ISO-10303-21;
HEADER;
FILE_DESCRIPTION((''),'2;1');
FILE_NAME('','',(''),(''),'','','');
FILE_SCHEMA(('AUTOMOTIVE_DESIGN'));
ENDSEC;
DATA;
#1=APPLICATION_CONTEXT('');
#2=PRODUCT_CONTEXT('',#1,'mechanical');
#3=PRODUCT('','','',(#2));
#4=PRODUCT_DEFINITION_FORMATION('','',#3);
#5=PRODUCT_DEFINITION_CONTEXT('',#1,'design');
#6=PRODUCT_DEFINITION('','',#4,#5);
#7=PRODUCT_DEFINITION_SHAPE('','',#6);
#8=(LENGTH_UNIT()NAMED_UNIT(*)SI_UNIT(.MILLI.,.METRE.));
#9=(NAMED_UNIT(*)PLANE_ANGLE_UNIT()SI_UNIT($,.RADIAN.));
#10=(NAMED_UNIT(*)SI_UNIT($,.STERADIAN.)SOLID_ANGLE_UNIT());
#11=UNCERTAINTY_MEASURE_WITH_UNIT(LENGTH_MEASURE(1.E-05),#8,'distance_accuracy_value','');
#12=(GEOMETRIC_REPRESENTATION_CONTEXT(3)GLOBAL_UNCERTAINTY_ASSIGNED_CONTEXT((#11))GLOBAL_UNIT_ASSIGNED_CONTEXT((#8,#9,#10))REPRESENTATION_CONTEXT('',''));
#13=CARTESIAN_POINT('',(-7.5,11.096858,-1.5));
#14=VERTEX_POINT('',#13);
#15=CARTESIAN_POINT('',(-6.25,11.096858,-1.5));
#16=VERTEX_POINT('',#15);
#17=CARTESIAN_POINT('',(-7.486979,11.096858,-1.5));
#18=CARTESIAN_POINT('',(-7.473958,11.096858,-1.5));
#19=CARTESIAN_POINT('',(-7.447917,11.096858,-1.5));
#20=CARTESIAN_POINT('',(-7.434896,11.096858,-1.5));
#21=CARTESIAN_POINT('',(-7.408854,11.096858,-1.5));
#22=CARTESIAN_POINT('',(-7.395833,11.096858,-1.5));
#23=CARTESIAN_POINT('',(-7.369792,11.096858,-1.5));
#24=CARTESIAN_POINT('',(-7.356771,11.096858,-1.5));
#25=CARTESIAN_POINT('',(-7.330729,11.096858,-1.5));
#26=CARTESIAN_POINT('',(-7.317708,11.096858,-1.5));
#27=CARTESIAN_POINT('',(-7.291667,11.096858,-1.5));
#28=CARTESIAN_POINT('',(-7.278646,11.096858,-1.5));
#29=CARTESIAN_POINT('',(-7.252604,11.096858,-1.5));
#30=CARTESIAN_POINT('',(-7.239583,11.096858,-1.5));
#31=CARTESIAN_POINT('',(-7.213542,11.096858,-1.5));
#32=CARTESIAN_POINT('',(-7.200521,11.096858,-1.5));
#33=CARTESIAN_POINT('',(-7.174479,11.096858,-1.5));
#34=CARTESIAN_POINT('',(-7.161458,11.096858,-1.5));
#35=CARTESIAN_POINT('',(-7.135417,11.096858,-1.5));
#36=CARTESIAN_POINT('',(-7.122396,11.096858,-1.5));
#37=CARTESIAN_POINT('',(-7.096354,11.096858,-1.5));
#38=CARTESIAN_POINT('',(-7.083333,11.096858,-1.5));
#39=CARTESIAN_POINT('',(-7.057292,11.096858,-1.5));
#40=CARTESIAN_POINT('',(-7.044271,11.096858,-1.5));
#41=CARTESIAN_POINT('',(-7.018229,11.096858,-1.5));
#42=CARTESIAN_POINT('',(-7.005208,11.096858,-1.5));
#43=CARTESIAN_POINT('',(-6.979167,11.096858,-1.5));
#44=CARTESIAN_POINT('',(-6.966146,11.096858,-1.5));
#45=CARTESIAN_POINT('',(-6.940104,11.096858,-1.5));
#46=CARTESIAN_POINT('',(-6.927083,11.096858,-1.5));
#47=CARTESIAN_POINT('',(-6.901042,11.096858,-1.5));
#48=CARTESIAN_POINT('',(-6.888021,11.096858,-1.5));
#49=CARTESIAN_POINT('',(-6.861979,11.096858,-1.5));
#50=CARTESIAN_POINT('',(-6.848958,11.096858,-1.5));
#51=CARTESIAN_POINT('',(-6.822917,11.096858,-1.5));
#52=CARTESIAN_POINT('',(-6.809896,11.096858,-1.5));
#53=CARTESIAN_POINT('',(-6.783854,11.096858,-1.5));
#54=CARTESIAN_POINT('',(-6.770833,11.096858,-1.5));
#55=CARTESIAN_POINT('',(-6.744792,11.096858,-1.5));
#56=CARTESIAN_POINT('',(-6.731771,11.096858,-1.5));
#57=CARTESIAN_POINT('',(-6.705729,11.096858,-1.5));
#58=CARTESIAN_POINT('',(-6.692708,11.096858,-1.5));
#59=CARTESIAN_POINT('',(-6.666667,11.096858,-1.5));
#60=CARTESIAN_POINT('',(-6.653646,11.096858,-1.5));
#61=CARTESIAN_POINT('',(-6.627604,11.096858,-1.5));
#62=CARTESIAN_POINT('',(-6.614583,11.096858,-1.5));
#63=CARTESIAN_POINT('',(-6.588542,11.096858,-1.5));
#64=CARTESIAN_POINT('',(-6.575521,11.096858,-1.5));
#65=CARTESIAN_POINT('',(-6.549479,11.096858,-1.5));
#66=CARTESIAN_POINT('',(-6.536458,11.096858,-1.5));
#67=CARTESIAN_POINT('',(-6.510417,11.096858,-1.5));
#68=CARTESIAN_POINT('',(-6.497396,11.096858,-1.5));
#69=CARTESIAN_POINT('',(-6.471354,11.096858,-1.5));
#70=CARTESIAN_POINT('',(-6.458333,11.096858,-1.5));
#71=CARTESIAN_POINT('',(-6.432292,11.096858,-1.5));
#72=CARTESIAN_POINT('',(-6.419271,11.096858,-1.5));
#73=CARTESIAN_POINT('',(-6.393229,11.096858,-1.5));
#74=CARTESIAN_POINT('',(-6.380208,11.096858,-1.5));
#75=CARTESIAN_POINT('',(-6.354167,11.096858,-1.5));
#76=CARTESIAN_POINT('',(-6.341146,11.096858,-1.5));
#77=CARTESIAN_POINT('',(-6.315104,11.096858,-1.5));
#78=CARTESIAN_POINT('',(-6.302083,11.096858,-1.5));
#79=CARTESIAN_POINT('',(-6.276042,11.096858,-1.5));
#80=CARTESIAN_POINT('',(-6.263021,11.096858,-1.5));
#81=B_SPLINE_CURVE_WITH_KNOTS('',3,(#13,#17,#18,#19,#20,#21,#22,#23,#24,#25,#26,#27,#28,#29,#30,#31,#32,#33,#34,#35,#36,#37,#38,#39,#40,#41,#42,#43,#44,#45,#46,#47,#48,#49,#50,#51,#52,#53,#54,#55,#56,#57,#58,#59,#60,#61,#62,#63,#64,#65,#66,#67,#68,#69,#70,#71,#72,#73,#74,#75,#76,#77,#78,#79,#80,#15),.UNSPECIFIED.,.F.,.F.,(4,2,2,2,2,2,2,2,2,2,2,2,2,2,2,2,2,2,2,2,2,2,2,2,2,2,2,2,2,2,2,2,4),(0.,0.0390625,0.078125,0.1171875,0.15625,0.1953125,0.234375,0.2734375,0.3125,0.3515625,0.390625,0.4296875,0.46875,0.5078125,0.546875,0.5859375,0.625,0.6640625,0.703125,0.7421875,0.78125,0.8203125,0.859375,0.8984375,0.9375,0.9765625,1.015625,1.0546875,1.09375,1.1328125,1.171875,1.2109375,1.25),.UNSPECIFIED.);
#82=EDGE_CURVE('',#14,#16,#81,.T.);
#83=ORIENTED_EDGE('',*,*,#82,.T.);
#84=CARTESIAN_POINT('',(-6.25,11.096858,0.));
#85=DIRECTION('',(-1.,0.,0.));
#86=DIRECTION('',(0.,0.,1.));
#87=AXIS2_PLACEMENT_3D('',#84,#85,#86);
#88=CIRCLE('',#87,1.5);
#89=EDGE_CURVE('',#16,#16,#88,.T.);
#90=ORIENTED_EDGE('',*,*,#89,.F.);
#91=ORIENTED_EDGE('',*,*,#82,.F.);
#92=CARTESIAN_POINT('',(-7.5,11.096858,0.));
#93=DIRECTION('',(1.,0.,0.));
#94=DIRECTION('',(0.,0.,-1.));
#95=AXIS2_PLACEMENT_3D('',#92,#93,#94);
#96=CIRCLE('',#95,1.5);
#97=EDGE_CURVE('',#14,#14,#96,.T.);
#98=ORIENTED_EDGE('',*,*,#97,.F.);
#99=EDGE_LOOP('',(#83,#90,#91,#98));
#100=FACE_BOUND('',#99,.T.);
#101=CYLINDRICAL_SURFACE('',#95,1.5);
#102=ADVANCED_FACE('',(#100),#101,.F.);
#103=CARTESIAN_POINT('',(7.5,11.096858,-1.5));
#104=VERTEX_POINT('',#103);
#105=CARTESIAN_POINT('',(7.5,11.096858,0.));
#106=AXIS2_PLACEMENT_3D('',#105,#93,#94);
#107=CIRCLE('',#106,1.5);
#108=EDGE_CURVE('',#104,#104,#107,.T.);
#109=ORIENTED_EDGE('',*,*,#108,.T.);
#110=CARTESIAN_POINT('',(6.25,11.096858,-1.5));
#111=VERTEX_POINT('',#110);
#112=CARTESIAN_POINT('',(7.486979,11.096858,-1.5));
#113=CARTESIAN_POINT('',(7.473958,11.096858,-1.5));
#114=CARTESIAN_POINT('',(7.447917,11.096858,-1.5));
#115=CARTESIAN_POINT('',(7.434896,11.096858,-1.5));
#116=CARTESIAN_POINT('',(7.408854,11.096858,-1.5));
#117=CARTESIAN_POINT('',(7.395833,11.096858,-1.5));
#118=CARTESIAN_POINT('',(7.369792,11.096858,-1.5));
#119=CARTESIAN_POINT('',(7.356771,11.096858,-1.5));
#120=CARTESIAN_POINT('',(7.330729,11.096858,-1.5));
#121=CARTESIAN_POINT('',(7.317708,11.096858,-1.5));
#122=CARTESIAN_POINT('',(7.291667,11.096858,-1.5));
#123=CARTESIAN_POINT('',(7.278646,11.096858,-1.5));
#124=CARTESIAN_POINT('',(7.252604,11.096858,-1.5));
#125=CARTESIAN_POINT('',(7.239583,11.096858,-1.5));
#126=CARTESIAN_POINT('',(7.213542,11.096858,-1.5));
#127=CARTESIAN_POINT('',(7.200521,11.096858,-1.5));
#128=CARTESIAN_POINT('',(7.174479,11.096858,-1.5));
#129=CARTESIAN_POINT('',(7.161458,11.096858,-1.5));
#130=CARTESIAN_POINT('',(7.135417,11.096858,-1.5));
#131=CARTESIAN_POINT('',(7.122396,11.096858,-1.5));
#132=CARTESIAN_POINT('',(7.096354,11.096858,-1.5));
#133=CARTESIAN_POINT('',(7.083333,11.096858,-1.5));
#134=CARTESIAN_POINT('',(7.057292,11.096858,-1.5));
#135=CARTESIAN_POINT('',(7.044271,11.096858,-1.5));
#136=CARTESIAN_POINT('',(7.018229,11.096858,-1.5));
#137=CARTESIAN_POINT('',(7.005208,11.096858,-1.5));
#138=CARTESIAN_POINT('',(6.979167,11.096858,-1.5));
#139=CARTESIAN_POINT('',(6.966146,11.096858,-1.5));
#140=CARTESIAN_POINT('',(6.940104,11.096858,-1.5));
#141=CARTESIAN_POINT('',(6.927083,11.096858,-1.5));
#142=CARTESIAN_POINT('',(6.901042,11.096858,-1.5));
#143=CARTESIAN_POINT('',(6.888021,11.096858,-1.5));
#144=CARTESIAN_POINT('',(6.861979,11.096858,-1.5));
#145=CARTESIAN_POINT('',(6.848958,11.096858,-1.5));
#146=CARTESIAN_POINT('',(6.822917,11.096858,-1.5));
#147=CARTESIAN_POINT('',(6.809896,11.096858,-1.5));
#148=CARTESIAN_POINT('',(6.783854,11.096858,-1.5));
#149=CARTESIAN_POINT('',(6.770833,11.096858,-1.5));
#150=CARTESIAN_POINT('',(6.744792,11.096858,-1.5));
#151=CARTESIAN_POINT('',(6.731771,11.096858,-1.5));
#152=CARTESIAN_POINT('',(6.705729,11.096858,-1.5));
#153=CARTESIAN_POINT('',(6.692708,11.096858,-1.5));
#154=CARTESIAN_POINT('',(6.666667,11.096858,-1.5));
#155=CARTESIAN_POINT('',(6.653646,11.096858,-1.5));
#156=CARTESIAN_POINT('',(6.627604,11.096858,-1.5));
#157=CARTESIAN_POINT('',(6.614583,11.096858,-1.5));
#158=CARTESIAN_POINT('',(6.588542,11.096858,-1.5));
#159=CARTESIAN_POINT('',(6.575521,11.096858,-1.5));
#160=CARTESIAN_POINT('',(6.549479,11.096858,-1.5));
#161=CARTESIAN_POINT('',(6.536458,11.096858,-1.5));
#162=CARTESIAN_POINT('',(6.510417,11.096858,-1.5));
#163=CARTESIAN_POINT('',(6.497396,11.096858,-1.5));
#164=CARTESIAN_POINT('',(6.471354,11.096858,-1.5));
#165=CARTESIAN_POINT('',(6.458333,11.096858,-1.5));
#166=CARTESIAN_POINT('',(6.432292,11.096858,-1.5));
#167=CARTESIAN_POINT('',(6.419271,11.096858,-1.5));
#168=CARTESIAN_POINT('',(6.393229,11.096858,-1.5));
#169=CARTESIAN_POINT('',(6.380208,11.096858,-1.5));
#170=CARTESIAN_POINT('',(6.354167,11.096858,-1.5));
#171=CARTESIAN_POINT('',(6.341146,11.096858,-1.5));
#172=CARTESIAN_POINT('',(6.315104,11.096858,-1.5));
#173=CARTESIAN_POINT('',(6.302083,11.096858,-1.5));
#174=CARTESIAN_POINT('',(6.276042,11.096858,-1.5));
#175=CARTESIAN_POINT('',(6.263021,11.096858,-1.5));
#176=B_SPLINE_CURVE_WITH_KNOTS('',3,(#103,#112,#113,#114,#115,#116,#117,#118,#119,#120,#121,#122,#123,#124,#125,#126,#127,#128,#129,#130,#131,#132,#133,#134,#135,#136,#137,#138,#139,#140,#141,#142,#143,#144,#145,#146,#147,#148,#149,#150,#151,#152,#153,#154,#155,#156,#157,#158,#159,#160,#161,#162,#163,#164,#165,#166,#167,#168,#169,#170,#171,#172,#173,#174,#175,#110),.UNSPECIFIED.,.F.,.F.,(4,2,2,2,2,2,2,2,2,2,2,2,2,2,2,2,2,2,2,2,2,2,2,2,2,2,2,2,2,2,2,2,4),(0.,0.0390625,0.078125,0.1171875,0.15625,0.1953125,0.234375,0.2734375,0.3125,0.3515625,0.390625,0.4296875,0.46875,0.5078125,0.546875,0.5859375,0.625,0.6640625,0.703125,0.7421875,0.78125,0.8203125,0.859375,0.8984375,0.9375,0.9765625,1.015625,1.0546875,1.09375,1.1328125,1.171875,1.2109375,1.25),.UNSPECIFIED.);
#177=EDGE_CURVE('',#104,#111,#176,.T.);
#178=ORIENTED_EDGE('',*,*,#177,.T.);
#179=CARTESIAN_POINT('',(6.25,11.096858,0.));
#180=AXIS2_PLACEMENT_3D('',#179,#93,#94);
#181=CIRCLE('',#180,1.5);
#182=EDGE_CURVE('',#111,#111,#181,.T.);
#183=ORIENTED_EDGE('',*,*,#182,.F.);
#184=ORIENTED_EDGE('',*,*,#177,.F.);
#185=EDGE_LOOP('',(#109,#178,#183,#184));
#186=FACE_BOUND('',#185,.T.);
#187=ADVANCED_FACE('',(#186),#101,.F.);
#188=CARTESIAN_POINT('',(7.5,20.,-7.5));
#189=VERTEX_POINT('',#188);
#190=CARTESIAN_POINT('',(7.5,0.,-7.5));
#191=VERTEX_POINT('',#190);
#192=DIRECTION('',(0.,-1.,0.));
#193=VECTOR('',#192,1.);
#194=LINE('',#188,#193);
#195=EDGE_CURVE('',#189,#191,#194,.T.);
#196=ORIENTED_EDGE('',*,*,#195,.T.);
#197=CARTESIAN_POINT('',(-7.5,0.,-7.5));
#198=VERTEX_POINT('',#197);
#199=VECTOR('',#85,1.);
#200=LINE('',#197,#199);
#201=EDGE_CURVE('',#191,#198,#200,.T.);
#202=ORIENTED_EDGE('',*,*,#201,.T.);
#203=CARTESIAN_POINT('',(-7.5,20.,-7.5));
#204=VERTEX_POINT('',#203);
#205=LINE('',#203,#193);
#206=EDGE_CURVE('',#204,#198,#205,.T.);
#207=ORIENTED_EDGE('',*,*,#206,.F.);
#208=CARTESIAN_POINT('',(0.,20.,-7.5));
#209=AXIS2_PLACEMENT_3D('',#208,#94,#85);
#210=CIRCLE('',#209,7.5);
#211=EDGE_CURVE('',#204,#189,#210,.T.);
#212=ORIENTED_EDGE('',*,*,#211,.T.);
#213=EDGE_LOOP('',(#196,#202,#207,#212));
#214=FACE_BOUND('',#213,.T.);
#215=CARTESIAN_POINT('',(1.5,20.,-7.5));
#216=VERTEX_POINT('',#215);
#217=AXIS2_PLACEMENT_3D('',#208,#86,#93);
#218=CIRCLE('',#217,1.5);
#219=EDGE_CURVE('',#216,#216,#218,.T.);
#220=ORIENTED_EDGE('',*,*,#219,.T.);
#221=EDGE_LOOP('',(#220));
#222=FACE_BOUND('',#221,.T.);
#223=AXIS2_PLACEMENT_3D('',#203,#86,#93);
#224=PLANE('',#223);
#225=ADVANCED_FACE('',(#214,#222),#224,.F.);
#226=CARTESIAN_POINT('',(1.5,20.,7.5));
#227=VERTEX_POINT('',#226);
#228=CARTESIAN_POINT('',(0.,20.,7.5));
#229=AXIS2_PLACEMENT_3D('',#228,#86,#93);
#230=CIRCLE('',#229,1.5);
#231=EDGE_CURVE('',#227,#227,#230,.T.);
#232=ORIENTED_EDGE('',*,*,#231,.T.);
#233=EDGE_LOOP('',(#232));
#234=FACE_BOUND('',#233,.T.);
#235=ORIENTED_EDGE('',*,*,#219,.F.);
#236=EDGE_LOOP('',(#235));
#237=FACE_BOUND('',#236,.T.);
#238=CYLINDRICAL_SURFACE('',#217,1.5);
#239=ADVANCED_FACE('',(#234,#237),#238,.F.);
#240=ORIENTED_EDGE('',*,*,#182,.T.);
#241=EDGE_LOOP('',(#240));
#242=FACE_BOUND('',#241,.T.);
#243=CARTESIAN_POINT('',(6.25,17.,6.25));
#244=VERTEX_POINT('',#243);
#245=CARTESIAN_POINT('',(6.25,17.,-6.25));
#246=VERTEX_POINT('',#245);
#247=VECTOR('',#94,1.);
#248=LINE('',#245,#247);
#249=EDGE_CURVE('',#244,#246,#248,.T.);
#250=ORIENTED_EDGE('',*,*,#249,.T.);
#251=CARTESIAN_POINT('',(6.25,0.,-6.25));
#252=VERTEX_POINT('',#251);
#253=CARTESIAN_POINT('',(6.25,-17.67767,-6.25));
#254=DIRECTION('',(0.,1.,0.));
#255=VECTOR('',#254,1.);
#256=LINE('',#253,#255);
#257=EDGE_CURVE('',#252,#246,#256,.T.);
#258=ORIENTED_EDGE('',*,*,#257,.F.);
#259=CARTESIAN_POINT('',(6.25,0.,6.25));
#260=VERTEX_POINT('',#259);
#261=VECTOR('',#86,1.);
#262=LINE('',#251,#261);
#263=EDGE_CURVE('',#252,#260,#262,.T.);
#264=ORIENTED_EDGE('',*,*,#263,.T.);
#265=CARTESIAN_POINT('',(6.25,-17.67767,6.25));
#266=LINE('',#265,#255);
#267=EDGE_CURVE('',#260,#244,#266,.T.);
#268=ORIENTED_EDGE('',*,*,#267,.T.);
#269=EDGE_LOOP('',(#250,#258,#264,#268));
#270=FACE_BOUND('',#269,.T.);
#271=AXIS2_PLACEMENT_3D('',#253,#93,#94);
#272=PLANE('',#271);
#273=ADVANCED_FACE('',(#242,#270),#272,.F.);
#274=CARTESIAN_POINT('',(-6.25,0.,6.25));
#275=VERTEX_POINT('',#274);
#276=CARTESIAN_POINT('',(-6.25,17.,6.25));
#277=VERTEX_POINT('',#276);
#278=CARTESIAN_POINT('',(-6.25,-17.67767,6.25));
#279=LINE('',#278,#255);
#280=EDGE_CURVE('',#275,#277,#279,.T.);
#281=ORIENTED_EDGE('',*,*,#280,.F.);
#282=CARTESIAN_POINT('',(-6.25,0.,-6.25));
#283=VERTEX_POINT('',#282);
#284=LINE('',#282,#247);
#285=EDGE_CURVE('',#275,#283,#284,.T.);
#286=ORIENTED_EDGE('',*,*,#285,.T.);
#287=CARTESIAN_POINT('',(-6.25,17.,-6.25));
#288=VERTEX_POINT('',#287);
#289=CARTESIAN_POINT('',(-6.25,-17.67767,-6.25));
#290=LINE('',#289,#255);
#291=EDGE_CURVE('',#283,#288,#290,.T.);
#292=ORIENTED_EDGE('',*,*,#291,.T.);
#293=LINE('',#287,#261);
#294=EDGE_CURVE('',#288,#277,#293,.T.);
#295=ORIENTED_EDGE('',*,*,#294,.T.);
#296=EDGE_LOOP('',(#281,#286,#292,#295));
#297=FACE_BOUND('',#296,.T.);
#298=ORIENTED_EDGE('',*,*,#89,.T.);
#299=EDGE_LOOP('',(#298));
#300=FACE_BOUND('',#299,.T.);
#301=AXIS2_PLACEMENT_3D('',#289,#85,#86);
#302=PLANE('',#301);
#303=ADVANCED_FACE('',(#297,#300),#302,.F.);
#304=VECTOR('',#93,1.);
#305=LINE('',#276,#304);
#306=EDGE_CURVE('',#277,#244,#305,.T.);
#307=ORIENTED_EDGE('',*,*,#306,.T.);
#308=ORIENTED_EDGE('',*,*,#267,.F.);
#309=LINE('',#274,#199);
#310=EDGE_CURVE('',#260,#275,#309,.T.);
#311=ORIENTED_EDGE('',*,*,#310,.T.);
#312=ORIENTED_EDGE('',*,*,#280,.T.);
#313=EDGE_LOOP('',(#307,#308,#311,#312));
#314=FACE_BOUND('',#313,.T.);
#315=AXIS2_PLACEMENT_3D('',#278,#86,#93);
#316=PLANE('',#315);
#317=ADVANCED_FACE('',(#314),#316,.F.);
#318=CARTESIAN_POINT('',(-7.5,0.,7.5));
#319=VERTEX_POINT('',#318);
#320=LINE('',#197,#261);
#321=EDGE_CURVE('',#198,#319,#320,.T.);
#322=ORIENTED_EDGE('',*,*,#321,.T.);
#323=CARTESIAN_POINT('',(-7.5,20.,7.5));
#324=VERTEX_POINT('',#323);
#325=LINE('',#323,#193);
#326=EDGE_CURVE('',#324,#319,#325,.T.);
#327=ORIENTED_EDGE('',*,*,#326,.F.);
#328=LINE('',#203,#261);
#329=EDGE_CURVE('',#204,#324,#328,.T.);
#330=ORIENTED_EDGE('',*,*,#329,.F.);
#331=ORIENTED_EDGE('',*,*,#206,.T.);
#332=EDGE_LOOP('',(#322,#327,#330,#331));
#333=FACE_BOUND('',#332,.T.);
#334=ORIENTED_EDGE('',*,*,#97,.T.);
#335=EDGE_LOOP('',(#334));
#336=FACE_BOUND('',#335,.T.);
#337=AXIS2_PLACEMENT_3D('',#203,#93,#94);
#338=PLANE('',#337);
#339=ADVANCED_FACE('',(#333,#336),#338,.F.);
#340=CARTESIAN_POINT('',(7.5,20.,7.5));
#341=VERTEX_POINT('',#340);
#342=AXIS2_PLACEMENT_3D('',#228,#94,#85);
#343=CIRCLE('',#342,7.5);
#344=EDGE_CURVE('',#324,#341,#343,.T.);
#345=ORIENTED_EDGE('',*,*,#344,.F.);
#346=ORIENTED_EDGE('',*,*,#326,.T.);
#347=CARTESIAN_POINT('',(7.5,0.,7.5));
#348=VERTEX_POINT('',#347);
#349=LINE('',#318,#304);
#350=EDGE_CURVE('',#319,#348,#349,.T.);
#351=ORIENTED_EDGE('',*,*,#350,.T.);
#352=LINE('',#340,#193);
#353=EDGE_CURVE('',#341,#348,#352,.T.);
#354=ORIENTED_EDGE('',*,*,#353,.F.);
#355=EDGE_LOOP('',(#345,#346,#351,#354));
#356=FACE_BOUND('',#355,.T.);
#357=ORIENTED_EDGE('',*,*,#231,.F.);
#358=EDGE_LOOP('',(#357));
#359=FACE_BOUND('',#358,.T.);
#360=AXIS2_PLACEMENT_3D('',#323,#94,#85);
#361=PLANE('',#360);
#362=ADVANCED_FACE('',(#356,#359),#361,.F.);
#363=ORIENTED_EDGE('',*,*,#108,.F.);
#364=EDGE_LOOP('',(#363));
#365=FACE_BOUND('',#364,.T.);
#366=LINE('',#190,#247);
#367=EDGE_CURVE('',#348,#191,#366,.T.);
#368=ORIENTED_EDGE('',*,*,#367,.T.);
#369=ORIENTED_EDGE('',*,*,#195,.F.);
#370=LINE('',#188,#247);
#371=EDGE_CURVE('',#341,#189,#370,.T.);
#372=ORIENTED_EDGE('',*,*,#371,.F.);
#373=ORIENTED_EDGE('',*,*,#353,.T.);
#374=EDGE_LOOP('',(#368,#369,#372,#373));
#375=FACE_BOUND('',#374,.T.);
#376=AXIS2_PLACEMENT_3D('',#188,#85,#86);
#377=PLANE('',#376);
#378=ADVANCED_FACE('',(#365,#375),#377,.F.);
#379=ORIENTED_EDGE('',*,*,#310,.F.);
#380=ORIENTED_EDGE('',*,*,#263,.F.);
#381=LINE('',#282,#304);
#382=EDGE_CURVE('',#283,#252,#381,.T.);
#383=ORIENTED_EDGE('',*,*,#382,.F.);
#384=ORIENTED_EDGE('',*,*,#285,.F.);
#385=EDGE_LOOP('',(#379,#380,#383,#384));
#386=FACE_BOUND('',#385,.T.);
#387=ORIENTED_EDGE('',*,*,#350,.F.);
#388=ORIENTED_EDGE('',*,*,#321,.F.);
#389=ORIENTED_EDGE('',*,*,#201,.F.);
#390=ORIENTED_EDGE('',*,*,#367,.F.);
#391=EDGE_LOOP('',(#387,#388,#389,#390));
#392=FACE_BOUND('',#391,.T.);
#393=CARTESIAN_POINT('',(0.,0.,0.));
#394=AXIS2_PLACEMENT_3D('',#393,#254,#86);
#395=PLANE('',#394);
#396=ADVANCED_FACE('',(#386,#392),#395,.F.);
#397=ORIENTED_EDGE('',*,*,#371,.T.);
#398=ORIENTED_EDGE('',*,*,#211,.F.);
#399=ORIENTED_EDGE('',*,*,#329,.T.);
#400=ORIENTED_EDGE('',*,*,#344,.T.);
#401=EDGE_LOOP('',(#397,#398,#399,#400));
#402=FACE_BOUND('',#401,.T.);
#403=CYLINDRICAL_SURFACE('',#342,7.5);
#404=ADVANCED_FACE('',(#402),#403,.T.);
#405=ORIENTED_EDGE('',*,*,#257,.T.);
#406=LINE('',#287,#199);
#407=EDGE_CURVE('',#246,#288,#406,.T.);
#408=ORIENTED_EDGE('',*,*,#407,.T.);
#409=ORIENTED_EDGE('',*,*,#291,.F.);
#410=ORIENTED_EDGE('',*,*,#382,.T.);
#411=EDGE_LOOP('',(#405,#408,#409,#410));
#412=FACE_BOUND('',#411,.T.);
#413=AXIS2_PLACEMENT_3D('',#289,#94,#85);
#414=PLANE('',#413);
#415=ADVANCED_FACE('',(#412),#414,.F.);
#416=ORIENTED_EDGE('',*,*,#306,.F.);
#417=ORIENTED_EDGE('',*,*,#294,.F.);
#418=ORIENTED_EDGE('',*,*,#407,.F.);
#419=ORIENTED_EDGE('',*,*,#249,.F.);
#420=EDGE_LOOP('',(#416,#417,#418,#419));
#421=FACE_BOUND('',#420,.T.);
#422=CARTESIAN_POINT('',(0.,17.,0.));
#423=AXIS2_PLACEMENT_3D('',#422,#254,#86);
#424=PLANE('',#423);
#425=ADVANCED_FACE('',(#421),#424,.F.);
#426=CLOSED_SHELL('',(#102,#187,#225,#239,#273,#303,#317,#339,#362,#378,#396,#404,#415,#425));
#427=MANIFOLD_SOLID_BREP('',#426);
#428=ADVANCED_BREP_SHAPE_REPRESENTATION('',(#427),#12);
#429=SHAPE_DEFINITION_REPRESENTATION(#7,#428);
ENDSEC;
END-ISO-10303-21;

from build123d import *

# Parameters (mm, degrees)
SKETCH1_W           = 15
SKETCH1_H           = 15
BOSS_EXTRUDE1_DEPTH = 20
CUT_EXTRUDE1_START  = -3
SKETCH2_W           = 12.5
SKETCH2_H           = 12.5
CUT_EXTRUDE1_DEPTH  = 17
BOSS_EXTRUDE3_DEPTH = 15
SKETCH6_R           = 1.5
CUT_EXTRUDE2_DEPTH  = 33.210246817
SKETCH7_R           = 1.5
CUT_EXTRUDE3_DEPTH  = 33.210246817


with BuildPart() as part:
    # Sketch1 → Boss-Extrude1 (new body)
    with BuildSketch(Plane(origin=(0, 0, 0), x_dir=(1, 0, 0), z_dir=(0, 1, 0))):
        Rectangle(SKETCH1_W, SKETCH1_H)
    extrude(amount=BOSS_EXTRUDE1_DEPTH)

    # Sketch2 → Cut-Extrude1 (cut)
    with BuildSketch(Plane(origin=(0, 20, 0), x_dir=(1, 0, 0), z_dir=(0, 1, 0)).offset(CUT_EXTRUDE1_START)):
        Rectangle(SKETCH2_W, SKETCH2_H)
    extrude(amount=-CUT_EXTRUDE1_DEPTH, mode=Mode.SUBTRACT)

    # Sketch5 → Boss-Extrude3 (add, through all)
    with BuildSketch(Plane(origin=(0, 0, -7.5), x_dir=(-1, 0, 0), z_dir=(0, 0, -1))):
        with BuildLine():
            Line((-7.5, 20), (7.5, 20))
            ThreePointArc((7.5, 20), (0, 27.5), (-7.5, 20))
        make_face()
    extrude(amount=-BOSS_EXTRUDE3_DEPTH)

    # Sketch6 → Cut-Extrude2 (cut, through all)
    with BuildSketch(Plane(origin=(7.5, 0, 0), x_dir=(0, 0, -1), z_dir=(1, 0, 0))):
        with Locations((0, 11.096857515)):
            Circle(SKETCH6_R)
    extrude(amount=-CUT_EXTRUDE2_DEPTH, mode=Mode.SUBTRACT)

    # Sketch7 → Cut-Extrude3 (cut, through all)
    with BuildSketch(Plane.XY.offset(7.5)):
        with Locations((0, 20)):
            Circle(SKETCH7_R)
    extrude(amount=-CUT_EXTRUDE3_DEPTH, mode=Mode.SUBTRACT)


solid = part.part
